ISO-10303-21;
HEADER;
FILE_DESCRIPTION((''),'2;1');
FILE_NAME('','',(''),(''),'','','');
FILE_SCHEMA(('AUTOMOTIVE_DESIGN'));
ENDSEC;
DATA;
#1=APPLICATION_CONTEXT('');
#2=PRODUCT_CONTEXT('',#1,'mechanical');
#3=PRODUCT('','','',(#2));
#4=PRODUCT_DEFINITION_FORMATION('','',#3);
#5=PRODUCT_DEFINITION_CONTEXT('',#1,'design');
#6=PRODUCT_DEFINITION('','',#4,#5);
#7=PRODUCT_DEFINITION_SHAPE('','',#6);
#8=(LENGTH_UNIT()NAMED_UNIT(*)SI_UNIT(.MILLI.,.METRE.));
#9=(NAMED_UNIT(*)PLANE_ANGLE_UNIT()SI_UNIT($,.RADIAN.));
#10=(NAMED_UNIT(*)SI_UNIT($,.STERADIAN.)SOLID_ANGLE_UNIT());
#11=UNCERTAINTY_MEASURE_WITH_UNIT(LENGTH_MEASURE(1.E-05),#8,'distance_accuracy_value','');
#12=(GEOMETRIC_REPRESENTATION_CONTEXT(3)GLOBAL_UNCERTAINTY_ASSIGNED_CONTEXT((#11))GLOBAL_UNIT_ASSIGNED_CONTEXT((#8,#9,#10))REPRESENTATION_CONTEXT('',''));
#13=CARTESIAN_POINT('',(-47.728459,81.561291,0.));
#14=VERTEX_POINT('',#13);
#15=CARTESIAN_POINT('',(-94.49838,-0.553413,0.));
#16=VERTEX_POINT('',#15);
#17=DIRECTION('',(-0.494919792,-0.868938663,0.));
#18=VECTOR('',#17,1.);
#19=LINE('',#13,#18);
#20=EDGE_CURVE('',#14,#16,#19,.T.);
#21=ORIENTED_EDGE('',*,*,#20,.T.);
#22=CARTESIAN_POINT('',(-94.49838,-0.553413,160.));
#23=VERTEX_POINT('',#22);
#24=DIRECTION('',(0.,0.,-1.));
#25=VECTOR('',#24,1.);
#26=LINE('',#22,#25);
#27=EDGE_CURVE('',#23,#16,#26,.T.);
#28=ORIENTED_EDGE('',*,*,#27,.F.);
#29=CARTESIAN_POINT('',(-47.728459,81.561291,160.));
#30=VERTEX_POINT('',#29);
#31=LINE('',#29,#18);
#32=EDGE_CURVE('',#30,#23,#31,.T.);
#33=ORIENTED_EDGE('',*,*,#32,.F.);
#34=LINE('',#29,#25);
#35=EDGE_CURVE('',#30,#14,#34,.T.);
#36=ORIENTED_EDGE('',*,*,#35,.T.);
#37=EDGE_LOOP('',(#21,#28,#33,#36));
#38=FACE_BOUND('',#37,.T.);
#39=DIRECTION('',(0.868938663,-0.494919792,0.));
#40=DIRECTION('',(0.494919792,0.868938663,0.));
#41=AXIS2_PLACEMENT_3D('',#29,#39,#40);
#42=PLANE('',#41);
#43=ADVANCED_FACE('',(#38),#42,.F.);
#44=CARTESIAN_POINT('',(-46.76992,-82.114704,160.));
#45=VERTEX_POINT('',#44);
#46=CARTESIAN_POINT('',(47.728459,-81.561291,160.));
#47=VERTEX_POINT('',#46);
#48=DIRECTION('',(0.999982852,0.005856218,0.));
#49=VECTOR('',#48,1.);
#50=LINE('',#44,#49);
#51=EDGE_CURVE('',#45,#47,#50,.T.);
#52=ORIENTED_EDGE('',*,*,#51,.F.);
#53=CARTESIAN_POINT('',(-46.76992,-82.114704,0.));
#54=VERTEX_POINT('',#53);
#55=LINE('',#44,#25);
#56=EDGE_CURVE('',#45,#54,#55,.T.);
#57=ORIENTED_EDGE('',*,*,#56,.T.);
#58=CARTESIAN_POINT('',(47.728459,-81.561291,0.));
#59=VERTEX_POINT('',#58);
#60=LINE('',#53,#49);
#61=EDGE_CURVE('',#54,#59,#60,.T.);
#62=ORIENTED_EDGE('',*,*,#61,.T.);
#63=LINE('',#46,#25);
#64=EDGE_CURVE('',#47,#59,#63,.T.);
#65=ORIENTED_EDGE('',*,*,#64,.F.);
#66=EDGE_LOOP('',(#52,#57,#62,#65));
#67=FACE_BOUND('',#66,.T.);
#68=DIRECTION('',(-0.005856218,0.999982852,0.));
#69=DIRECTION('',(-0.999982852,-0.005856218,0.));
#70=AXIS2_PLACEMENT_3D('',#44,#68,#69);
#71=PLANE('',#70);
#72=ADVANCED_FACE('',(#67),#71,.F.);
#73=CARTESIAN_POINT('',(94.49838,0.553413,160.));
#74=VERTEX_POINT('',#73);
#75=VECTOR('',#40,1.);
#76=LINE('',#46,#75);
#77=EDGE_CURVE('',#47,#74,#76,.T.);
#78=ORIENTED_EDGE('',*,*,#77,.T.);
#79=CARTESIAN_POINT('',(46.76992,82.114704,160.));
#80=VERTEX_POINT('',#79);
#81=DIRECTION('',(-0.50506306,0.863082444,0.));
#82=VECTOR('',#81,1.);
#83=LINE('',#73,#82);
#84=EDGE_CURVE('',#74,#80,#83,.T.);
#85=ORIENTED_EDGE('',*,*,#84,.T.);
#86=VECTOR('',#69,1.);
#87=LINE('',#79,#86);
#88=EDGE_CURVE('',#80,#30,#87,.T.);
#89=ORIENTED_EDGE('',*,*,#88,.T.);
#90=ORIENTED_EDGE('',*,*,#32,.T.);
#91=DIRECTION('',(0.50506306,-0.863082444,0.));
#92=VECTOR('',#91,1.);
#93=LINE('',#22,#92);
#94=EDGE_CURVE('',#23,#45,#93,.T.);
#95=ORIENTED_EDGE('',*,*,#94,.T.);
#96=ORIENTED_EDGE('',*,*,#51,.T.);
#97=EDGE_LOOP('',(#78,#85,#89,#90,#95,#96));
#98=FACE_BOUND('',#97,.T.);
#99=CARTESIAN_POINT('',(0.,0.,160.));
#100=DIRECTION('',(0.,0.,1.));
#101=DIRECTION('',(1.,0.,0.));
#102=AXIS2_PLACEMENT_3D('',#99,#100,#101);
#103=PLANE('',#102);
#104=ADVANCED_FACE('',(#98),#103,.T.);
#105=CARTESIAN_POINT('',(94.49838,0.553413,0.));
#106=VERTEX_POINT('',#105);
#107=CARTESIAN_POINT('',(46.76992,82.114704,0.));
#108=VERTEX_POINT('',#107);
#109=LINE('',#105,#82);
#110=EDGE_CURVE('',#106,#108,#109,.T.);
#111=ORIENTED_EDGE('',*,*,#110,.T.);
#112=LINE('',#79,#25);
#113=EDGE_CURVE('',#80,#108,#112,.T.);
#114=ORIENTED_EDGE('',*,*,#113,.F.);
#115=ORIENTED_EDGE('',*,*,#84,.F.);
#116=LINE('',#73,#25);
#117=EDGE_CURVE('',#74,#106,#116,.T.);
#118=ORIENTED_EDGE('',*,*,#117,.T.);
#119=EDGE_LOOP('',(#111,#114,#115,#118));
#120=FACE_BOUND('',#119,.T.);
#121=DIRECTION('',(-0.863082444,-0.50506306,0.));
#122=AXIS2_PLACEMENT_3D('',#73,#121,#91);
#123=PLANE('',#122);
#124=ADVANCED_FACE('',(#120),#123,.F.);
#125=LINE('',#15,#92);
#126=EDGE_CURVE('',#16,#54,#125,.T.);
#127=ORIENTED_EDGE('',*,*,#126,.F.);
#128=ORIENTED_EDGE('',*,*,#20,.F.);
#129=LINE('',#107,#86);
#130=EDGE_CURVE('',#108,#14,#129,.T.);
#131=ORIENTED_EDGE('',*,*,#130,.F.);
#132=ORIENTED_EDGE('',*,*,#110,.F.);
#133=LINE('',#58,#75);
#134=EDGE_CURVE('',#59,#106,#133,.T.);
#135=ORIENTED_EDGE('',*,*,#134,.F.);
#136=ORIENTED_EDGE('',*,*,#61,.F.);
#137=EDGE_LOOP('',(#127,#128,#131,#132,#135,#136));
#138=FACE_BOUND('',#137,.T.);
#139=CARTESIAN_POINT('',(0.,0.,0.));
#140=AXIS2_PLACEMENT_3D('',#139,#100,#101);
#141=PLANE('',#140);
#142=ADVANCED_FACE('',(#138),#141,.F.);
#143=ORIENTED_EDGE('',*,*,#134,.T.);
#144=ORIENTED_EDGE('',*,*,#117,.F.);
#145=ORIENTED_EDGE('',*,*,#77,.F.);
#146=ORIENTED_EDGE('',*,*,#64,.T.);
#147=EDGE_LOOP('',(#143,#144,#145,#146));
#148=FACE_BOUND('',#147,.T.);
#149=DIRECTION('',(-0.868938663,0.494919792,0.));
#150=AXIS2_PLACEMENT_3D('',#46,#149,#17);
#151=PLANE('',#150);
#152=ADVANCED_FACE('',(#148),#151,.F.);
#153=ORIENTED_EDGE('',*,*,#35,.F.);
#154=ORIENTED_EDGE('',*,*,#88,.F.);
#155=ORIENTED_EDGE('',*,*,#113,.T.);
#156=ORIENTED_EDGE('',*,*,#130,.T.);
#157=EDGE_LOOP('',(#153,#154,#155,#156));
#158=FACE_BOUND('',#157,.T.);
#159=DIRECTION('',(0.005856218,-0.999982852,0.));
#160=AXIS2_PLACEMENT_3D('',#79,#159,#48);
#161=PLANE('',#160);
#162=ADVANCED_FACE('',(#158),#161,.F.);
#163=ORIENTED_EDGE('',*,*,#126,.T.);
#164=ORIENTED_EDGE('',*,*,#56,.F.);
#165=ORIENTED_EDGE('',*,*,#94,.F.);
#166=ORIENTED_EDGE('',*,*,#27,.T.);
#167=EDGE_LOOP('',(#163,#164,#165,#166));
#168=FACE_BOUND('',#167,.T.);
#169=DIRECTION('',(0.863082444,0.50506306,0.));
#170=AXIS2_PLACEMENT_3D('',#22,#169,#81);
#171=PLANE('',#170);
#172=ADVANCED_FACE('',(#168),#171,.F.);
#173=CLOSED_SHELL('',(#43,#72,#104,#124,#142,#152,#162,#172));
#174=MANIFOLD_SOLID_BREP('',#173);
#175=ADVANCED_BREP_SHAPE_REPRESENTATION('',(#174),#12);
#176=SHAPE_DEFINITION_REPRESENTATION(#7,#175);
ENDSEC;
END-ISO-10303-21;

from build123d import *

# Parameters (mm, degrees)
ESTRUSIONE_ESTRUSIONE1_DEPTH = 160


with BuildPart() as part:
    # Schizzo1 → Estrusione-Estrusione1 (new body)
    with BuildSketch(Plane.XY):
        Polygon((-47.728459164, 81.561290977), (-94.498379534, -0.553412631), (-46.769920369, -82.114703608), (47.728459164, -81.561290977), (94.498379534, 0.553412631), (46.769920369, 82.114703608), align=None)
    extrude(amount=ESTRUSIONE_ESTRUSIONE1_DEPTH)


solid = part.part
